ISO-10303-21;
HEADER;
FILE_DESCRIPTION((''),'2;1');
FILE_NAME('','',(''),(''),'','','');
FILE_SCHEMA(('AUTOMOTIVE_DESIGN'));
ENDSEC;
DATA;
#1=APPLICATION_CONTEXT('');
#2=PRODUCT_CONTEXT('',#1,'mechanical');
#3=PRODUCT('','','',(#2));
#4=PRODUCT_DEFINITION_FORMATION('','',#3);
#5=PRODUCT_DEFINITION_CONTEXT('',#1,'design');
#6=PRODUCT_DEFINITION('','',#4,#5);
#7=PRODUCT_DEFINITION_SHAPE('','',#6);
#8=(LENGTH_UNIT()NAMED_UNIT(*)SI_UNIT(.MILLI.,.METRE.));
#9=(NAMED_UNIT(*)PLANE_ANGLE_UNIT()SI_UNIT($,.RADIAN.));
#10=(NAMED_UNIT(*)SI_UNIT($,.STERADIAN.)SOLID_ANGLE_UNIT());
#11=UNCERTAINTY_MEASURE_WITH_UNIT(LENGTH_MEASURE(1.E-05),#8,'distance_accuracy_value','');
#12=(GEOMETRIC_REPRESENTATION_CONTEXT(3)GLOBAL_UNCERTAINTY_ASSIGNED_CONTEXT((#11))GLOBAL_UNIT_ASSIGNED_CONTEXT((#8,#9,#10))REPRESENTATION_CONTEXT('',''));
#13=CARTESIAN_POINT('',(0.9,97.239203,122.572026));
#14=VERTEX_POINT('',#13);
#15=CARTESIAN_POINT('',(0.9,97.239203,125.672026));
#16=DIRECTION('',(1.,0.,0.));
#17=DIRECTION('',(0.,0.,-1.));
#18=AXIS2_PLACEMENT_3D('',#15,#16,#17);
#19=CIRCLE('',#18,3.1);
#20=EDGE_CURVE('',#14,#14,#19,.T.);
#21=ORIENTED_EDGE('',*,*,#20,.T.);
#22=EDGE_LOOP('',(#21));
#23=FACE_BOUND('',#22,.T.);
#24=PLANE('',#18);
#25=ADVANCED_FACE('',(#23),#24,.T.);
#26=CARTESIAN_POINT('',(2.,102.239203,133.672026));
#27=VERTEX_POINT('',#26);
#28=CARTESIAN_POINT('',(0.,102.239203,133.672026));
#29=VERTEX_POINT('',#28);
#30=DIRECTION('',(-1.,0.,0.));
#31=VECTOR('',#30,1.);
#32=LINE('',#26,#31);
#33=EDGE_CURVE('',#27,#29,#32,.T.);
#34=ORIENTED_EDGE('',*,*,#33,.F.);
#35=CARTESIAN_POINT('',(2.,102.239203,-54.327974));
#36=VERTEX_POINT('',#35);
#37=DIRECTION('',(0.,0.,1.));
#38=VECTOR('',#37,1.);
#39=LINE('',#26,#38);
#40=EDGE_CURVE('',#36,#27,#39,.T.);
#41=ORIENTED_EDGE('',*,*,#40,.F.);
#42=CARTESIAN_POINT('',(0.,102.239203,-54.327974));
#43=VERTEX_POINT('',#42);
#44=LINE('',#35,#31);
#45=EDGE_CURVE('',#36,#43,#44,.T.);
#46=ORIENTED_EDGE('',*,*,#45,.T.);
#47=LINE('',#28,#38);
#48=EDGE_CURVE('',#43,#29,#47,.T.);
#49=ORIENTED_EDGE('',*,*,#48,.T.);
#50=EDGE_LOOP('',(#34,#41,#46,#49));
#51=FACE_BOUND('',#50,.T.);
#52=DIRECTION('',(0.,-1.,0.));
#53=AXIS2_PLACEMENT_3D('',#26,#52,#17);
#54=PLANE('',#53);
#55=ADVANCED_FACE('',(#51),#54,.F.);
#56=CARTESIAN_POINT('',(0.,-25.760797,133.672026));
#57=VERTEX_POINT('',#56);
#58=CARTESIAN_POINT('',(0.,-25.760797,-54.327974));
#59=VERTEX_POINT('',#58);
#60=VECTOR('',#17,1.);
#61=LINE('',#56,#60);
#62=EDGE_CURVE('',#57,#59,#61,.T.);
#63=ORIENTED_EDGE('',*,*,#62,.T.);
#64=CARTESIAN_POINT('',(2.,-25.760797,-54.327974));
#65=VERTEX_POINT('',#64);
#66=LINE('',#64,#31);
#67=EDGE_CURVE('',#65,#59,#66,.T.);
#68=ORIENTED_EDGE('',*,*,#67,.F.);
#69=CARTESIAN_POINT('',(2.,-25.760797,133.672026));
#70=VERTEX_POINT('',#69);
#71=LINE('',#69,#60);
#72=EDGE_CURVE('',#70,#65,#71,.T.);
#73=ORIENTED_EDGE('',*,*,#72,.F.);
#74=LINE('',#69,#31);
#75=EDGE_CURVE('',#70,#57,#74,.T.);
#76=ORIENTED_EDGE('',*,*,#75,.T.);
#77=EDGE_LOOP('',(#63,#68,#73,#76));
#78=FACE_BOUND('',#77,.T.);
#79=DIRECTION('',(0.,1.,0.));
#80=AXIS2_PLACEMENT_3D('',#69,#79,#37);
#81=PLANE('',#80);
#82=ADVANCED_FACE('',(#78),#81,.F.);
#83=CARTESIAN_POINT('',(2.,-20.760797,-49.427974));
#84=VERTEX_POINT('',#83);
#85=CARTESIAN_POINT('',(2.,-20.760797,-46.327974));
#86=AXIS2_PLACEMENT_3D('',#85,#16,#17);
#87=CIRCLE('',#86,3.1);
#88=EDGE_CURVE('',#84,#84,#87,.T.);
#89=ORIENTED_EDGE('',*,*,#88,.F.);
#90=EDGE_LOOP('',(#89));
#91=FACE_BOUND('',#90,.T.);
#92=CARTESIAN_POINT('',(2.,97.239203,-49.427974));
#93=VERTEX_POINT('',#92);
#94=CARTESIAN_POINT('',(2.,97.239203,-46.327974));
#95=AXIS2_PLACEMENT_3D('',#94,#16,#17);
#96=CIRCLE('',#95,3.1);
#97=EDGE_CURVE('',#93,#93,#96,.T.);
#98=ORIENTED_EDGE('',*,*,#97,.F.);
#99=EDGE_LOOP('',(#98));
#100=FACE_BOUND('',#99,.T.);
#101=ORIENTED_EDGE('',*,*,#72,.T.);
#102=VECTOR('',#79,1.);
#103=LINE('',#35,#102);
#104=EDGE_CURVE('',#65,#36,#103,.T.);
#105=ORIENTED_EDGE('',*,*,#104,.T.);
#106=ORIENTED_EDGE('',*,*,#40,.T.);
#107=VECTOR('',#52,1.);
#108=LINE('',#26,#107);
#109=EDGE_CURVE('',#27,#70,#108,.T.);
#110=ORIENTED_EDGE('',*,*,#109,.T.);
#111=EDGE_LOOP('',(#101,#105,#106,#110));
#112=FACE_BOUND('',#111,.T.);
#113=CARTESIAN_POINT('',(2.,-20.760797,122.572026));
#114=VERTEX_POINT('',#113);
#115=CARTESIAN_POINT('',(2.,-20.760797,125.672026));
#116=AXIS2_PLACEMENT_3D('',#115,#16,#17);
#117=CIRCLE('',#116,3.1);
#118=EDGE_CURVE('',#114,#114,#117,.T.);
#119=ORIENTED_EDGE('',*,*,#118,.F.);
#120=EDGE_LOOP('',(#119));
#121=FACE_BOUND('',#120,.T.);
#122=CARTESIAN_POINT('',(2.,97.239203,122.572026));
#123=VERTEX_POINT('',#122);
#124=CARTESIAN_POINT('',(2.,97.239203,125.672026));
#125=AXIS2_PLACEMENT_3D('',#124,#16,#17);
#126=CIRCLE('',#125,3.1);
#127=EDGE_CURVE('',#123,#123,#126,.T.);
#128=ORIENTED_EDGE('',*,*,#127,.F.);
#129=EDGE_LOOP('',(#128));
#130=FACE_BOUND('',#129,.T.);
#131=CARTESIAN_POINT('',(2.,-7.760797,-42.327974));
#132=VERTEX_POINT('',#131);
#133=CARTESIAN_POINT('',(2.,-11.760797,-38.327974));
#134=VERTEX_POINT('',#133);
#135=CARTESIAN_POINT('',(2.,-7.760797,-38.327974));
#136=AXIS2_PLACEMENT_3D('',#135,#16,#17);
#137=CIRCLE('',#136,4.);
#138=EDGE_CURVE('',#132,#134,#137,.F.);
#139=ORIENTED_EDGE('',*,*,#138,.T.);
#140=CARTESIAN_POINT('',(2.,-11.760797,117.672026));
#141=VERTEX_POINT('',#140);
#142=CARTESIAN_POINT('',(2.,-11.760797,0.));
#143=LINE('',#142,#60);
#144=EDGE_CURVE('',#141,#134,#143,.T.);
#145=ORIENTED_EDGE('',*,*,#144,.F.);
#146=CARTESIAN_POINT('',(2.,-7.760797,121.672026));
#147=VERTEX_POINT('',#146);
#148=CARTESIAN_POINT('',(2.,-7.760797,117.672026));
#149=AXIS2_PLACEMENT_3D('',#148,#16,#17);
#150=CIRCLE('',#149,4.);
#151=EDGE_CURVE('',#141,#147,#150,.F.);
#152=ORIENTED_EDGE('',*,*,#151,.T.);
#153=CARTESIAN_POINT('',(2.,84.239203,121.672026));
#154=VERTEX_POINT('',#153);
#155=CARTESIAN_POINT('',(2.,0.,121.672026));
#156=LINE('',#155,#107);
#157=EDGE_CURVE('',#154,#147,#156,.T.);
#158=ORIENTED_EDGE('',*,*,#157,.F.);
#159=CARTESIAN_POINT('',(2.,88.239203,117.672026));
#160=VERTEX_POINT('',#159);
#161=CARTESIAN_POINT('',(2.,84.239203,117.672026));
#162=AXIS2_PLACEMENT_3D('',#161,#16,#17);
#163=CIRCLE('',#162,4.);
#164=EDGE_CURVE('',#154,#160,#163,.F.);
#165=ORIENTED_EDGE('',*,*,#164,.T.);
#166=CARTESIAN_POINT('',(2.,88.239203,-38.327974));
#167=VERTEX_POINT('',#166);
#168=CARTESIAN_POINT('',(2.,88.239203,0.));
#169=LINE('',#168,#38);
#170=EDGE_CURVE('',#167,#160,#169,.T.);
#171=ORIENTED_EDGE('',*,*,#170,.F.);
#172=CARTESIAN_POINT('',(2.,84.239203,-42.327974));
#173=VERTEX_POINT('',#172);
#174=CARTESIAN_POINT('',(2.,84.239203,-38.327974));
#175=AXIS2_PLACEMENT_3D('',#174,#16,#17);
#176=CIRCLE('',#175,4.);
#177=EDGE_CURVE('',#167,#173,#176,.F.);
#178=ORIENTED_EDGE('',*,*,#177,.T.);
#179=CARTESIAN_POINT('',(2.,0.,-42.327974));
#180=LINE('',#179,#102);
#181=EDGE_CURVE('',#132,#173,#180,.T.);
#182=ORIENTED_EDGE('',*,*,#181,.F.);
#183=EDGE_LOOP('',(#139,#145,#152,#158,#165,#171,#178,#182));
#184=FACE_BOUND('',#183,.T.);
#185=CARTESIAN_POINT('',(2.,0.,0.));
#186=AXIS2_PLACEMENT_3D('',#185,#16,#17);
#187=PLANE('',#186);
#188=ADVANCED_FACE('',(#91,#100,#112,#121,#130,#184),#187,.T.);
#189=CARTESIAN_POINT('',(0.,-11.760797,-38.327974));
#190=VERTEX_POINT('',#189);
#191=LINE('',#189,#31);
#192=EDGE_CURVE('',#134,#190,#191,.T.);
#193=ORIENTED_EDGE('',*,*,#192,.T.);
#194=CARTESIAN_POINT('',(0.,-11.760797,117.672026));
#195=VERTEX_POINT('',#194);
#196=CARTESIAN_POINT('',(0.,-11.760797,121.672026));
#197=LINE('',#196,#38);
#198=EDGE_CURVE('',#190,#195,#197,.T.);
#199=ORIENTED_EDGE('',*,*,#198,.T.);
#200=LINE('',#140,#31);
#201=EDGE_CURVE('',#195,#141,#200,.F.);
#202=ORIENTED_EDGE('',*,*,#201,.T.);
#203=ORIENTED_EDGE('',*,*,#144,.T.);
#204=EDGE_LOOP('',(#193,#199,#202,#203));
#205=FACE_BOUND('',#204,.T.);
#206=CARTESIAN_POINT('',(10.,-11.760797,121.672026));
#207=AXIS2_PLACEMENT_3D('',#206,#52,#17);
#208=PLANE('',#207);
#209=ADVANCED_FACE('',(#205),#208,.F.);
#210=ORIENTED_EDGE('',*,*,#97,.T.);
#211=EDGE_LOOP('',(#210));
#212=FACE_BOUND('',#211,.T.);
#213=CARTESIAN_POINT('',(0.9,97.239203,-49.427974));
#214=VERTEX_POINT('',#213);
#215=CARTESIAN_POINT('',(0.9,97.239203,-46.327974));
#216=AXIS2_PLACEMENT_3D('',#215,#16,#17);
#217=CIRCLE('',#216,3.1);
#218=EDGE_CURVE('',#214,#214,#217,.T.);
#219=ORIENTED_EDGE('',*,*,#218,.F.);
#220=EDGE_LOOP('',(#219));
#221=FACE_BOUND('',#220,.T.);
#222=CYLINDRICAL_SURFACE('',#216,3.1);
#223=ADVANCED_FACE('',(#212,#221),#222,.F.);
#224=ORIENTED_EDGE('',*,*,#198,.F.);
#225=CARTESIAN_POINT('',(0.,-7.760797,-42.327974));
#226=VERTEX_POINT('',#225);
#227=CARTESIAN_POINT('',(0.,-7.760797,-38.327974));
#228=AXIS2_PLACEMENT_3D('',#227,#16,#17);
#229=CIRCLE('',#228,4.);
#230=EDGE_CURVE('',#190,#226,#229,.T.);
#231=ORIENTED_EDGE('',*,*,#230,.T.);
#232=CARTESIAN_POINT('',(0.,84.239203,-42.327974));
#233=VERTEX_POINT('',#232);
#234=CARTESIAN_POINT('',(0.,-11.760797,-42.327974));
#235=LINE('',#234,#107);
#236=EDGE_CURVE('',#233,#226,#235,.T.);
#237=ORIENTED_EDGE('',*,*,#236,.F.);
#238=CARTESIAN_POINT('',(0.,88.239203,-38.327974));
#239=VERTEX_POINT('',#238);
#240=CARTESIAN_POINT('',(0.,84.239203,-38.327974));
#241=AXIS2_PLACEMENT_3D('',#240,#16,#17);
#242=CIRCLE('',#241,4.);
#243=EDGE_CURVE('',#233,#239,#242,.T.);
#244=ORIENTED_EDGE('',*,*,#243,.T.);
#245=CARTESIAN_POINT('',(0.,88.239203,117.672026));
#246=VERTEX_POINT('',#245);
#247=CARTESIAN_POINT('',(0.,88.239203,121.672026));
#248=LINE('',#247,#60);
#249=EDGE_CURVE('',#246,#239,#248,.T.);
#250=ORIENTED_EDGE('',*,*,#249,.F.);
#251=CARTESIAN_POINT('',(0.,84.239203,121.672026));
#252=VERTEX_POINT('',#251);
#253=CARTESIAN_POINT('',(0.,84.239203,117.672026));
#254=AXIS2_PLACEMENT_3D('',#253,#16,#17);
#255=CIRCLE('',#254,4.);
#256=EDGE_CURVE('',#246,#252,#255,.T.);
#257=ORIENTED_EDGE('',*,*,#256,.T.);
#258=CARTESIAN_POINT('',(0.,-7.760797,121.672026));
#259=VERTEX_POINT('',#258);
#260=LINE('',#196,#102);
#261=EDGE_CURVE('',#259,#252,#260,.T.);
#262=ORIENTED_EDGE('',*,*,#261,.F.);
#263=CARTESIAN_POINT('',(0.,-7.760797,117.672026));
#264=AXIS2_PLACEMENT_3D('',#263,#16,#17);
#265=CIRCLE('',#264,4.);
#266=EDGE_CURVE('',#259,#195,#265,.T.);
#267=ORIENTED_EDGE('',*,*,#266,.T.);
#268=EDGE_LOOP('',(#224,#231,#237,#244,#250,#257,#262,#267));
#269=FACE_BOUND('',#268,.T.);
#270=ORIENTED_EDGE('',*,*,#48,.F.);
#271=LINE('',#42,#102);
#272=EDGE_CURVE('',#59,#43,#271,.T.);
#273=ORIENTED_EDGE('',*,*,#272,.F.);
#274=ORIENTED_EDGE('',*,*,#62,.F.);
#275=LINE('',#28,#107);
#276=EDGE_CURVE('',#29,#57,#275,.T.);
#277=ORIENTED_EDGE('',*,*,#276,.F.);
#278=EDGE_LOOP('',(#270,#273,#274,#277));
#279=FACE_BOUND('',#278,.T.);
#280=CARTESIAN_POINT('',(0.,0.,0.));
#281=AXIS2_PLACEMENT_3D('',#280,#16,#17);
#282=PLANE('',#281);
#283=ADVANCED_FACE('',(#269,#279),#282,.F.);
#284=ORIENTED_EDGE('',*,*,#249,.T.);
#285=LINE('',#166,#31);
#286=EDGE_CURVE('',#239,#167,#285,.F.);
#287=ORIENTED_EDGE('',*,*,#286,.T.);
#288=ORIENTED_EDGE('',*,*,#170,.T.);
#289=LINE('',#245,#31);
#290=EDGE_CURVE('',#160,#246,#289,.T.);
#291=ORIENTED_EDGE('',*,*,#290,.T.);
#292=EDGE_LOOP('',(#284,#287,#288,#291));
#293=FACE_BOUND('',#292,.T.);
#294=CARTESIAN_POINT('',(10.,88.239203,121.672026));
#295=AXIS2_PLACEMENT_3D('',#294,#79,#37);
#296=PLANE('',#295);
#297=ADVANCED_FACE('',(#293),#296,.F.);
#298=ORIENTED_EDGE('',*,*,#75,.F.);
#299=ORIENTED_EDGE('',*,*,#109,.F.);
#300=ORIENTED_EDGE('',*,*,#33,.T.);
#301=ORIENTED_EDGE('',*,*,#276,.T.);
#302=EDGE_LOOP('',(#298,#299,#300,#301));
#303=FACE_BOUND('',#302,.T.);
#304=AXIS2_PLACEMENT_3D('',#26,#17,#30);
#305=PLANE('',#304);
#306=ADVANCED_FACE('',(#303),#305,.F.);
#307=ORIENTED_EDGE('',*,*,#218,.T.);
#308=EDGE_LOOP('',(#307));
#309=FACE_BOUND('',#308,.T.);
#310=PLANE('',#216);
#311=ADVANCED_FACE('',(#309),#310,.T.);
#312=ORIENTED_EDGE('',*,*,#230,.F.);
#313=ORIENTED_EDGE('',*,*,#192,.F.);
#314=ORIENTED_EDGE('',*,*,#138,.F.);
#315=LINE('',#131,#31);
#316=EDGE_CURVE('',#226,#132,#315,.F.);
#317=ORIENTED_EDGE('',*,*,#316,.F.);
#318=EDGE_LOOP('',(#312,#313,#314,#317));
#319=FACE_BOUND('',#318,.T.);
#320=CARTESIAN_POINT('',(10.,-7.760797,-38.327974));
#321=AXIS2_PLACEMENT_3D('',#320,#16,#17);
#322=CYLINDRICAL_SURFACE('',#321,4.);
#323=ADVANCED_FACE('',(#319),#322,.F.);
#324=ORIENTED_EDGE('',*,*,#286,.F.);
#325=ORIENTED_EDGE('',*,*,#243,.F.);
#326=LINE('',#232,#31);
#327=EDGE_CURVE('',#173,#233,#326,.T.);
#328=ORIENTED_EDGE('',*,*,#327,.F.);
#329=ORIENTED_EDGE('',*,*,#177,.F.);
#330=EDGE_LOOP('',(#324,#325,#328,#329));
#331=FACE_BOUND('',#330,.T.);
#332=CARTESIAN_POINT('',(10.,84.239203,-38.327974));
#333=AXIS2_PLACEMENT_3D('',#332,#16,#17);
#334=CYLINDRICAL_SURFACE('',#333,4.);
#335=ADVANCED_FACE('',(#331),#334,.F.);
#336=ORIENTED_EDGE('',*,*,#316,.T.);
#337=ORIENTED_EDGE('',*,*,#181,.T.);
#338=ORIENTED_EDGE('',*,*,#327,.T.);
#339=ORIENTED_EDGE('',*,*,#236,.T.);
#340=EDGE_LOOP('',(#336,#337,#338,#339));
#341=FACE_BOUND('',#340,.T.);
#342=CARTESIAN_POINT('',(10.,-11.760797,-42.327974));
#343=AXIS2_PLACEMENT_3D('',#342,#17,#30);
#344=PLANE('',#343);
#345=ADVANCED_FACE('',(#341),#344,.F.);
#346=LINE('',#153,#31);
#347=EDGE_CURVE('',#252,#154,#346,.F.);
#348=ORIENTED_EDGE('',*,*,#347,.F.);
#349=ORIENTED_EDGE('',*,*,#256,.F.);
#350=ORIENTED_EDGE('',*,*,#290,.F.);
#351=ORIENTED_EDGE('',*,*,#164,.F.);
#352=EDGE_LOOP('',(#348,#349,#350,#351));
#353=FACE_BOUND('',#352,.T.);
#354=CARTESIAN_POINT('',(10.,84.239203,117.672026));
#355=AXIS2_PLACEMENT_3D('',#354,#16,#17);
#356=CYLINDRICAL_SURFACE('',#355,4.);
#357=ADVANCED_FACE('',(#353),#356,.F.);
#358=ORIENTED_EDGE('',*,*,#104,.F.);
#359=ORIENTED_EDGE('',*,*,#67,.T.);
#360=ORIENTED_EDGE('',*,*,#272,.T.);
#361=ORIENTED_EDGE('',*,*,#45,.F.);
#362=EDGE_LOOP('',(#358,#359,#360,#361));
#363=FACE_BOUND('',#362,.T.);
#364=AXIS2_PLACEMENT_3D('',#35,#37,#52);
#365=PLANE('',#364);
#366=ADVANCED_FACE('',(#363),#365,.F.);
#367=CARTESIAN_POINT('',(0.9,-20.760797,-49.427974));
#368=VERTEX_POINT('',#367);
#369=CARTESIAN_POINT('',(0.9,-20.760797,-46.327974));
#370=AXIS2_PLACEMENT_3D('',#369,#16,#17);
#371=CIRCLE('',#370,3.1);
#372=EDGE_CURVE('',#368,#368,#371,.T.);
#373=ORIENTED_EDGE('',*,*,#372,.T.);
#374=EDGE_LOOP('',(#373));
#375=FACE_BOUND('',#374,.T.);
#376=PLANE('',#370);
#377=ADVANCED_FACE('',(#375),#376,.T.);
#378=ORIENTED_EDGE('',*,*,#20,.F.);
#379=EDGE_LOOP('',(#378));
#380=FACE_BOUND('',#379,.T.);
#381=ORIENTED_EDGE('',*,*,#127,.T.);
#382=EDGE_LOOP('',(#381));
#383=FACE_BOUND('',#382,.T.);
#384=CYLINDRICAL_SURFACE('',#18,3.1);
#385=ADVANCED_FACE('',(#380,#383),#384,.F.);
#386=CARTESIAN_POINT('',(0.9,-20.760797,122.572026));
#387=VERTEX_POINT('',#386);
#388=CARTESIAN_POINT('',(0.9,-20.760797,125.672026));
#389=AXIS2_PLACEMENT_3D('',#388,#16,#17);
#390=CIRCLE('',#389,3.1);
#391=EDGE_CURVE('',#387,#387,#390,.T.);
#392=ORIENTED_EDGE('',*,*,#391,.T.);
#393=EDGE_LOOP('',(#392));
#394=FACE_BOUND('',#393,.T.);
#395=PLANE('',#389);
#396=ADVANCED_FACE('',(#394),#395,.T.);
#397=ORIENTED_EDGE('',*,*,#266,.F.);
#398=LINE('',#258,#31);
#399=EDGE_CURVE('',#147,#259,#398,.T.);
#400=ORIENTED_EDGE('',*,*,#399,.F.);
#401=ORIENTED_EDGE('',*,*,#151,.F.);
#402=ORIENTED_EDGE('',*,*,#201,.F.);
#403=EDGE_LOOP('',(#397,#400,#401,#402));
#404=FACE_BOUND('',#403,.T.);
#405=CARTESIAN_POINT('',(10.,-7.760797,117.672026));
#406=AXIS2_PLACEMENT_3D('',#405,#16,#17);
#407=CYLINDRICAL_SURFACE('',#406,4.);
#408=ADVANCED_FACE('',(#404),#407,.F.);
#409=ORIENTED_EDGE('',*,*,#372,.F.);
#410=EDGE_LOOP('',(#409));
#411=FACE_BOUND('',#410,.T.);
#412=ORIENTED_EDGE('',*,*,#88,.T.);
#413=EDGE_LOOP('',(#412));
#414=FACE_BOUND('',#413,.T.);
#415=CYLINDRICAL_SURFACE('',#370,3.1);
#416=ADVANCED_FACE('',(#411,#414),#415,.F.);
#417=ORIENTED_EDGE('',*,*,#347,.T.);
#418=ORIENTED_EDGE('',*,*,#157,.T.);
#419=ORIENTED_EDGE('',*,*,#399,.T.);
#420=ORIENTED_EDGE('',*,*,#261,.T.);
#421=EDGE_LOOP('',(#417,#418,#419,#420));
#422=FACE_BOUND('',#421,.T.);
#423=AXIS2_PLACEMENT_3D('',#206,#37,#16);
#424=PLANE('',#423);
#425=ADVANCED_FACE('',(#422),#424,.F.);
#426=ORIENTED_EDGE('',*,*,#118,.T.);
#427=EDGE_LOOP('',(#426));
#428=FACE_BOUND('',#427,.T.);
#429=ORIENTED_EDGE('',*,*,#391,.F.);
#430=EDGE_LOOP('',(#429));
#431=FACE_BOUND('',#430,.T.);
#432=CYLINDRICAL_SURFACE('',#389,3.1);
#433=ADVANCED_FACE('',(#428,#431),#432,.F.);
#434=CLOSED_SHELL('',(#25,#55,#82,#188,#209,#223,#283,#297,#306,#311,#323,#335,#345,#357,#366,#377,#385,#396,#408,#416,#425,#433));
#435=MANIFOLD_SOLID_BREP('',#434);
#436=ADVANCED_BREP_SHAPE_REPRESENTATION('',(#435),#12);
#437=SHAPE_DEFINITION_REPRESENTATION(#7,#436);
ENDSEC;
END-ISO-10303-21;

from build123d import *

# Parameters (mm, degrees)
SKETCH_1_W          = 188
SKETCH_1_H          = 128
EXTRUDE_1_DEPTH     = 2
SKETCH_8_R          = 3.1
CUT_EXTRUDE_5_DEPTH = 1.1
SKETCH_11_W         = 164
SKETCH_11_H         = 100
CUT_EXTRUDE_8_DEPTH = 10
FILLET_2_R          = 4


with BuildPart() as part:
    # 草图1 → 凸台-拉伸1 (new body)
    with BuildSketch(Plane(origin=(0, 0, 0), x_dir=(0, 0, -1), z_dir=(1, 0, 0))):
        with Locations((-39.672025676, 38.239203457)):
            Rectangle(SKETCH_1_W, SKETCH_1_H)
    extrude(amount=EXTRUDE_1_DEPTH)

    # 草图8 → 切除-拉伸5 (cut)
    with BuildSketch(Plane(origin=(2, 0, 0), x_dir=(0, 0, -1), z_dir=(1, 0, 0))):
        with Locations((-125.672025676, 97.239203457)):
            Circle(SKETCH_8_R)
        with Locations((46.327974324, 97.239203457)):
            Circle(SKETCH_8_R)
        with Locations((-125.672025676, -20.760796543)):
            Circle(SKETCH_8_R)
        with Locations((46.327974324, -20.760796543)):
            Circle(SKETCH_8_R)
    extrude(amount=-CUT_EXTRUDE_5_DEPTH, mode=Mode.SUBTRACT)

    # 草图11 → 切除-拉伸8 (cut)
    with BuildSketch(Plane.ZY):
        with Locations((39.672025676, 38.239203457)):
            Rectangle(SKETCH_11_W, SKETCH_11_H)
    extrude(amount=-CUT_EXTRUDE_8_DEPTH, mode=Mode.SUBTRACT)

    # 圆角2
    fillet_2_edges = [part.edges().sort_by_distance(p)[0] for p in [
        (1, 88.239203457, 121.672025676),
        (1, -11.760796543, 121.672025676),
        (1, -11.760796543, -42.327974324),
        (1, 88.239203457, -42.327974324),
    ]]
    fillet(fillet_2_edges, radius=FILLET_2_R)


solid = part.part
